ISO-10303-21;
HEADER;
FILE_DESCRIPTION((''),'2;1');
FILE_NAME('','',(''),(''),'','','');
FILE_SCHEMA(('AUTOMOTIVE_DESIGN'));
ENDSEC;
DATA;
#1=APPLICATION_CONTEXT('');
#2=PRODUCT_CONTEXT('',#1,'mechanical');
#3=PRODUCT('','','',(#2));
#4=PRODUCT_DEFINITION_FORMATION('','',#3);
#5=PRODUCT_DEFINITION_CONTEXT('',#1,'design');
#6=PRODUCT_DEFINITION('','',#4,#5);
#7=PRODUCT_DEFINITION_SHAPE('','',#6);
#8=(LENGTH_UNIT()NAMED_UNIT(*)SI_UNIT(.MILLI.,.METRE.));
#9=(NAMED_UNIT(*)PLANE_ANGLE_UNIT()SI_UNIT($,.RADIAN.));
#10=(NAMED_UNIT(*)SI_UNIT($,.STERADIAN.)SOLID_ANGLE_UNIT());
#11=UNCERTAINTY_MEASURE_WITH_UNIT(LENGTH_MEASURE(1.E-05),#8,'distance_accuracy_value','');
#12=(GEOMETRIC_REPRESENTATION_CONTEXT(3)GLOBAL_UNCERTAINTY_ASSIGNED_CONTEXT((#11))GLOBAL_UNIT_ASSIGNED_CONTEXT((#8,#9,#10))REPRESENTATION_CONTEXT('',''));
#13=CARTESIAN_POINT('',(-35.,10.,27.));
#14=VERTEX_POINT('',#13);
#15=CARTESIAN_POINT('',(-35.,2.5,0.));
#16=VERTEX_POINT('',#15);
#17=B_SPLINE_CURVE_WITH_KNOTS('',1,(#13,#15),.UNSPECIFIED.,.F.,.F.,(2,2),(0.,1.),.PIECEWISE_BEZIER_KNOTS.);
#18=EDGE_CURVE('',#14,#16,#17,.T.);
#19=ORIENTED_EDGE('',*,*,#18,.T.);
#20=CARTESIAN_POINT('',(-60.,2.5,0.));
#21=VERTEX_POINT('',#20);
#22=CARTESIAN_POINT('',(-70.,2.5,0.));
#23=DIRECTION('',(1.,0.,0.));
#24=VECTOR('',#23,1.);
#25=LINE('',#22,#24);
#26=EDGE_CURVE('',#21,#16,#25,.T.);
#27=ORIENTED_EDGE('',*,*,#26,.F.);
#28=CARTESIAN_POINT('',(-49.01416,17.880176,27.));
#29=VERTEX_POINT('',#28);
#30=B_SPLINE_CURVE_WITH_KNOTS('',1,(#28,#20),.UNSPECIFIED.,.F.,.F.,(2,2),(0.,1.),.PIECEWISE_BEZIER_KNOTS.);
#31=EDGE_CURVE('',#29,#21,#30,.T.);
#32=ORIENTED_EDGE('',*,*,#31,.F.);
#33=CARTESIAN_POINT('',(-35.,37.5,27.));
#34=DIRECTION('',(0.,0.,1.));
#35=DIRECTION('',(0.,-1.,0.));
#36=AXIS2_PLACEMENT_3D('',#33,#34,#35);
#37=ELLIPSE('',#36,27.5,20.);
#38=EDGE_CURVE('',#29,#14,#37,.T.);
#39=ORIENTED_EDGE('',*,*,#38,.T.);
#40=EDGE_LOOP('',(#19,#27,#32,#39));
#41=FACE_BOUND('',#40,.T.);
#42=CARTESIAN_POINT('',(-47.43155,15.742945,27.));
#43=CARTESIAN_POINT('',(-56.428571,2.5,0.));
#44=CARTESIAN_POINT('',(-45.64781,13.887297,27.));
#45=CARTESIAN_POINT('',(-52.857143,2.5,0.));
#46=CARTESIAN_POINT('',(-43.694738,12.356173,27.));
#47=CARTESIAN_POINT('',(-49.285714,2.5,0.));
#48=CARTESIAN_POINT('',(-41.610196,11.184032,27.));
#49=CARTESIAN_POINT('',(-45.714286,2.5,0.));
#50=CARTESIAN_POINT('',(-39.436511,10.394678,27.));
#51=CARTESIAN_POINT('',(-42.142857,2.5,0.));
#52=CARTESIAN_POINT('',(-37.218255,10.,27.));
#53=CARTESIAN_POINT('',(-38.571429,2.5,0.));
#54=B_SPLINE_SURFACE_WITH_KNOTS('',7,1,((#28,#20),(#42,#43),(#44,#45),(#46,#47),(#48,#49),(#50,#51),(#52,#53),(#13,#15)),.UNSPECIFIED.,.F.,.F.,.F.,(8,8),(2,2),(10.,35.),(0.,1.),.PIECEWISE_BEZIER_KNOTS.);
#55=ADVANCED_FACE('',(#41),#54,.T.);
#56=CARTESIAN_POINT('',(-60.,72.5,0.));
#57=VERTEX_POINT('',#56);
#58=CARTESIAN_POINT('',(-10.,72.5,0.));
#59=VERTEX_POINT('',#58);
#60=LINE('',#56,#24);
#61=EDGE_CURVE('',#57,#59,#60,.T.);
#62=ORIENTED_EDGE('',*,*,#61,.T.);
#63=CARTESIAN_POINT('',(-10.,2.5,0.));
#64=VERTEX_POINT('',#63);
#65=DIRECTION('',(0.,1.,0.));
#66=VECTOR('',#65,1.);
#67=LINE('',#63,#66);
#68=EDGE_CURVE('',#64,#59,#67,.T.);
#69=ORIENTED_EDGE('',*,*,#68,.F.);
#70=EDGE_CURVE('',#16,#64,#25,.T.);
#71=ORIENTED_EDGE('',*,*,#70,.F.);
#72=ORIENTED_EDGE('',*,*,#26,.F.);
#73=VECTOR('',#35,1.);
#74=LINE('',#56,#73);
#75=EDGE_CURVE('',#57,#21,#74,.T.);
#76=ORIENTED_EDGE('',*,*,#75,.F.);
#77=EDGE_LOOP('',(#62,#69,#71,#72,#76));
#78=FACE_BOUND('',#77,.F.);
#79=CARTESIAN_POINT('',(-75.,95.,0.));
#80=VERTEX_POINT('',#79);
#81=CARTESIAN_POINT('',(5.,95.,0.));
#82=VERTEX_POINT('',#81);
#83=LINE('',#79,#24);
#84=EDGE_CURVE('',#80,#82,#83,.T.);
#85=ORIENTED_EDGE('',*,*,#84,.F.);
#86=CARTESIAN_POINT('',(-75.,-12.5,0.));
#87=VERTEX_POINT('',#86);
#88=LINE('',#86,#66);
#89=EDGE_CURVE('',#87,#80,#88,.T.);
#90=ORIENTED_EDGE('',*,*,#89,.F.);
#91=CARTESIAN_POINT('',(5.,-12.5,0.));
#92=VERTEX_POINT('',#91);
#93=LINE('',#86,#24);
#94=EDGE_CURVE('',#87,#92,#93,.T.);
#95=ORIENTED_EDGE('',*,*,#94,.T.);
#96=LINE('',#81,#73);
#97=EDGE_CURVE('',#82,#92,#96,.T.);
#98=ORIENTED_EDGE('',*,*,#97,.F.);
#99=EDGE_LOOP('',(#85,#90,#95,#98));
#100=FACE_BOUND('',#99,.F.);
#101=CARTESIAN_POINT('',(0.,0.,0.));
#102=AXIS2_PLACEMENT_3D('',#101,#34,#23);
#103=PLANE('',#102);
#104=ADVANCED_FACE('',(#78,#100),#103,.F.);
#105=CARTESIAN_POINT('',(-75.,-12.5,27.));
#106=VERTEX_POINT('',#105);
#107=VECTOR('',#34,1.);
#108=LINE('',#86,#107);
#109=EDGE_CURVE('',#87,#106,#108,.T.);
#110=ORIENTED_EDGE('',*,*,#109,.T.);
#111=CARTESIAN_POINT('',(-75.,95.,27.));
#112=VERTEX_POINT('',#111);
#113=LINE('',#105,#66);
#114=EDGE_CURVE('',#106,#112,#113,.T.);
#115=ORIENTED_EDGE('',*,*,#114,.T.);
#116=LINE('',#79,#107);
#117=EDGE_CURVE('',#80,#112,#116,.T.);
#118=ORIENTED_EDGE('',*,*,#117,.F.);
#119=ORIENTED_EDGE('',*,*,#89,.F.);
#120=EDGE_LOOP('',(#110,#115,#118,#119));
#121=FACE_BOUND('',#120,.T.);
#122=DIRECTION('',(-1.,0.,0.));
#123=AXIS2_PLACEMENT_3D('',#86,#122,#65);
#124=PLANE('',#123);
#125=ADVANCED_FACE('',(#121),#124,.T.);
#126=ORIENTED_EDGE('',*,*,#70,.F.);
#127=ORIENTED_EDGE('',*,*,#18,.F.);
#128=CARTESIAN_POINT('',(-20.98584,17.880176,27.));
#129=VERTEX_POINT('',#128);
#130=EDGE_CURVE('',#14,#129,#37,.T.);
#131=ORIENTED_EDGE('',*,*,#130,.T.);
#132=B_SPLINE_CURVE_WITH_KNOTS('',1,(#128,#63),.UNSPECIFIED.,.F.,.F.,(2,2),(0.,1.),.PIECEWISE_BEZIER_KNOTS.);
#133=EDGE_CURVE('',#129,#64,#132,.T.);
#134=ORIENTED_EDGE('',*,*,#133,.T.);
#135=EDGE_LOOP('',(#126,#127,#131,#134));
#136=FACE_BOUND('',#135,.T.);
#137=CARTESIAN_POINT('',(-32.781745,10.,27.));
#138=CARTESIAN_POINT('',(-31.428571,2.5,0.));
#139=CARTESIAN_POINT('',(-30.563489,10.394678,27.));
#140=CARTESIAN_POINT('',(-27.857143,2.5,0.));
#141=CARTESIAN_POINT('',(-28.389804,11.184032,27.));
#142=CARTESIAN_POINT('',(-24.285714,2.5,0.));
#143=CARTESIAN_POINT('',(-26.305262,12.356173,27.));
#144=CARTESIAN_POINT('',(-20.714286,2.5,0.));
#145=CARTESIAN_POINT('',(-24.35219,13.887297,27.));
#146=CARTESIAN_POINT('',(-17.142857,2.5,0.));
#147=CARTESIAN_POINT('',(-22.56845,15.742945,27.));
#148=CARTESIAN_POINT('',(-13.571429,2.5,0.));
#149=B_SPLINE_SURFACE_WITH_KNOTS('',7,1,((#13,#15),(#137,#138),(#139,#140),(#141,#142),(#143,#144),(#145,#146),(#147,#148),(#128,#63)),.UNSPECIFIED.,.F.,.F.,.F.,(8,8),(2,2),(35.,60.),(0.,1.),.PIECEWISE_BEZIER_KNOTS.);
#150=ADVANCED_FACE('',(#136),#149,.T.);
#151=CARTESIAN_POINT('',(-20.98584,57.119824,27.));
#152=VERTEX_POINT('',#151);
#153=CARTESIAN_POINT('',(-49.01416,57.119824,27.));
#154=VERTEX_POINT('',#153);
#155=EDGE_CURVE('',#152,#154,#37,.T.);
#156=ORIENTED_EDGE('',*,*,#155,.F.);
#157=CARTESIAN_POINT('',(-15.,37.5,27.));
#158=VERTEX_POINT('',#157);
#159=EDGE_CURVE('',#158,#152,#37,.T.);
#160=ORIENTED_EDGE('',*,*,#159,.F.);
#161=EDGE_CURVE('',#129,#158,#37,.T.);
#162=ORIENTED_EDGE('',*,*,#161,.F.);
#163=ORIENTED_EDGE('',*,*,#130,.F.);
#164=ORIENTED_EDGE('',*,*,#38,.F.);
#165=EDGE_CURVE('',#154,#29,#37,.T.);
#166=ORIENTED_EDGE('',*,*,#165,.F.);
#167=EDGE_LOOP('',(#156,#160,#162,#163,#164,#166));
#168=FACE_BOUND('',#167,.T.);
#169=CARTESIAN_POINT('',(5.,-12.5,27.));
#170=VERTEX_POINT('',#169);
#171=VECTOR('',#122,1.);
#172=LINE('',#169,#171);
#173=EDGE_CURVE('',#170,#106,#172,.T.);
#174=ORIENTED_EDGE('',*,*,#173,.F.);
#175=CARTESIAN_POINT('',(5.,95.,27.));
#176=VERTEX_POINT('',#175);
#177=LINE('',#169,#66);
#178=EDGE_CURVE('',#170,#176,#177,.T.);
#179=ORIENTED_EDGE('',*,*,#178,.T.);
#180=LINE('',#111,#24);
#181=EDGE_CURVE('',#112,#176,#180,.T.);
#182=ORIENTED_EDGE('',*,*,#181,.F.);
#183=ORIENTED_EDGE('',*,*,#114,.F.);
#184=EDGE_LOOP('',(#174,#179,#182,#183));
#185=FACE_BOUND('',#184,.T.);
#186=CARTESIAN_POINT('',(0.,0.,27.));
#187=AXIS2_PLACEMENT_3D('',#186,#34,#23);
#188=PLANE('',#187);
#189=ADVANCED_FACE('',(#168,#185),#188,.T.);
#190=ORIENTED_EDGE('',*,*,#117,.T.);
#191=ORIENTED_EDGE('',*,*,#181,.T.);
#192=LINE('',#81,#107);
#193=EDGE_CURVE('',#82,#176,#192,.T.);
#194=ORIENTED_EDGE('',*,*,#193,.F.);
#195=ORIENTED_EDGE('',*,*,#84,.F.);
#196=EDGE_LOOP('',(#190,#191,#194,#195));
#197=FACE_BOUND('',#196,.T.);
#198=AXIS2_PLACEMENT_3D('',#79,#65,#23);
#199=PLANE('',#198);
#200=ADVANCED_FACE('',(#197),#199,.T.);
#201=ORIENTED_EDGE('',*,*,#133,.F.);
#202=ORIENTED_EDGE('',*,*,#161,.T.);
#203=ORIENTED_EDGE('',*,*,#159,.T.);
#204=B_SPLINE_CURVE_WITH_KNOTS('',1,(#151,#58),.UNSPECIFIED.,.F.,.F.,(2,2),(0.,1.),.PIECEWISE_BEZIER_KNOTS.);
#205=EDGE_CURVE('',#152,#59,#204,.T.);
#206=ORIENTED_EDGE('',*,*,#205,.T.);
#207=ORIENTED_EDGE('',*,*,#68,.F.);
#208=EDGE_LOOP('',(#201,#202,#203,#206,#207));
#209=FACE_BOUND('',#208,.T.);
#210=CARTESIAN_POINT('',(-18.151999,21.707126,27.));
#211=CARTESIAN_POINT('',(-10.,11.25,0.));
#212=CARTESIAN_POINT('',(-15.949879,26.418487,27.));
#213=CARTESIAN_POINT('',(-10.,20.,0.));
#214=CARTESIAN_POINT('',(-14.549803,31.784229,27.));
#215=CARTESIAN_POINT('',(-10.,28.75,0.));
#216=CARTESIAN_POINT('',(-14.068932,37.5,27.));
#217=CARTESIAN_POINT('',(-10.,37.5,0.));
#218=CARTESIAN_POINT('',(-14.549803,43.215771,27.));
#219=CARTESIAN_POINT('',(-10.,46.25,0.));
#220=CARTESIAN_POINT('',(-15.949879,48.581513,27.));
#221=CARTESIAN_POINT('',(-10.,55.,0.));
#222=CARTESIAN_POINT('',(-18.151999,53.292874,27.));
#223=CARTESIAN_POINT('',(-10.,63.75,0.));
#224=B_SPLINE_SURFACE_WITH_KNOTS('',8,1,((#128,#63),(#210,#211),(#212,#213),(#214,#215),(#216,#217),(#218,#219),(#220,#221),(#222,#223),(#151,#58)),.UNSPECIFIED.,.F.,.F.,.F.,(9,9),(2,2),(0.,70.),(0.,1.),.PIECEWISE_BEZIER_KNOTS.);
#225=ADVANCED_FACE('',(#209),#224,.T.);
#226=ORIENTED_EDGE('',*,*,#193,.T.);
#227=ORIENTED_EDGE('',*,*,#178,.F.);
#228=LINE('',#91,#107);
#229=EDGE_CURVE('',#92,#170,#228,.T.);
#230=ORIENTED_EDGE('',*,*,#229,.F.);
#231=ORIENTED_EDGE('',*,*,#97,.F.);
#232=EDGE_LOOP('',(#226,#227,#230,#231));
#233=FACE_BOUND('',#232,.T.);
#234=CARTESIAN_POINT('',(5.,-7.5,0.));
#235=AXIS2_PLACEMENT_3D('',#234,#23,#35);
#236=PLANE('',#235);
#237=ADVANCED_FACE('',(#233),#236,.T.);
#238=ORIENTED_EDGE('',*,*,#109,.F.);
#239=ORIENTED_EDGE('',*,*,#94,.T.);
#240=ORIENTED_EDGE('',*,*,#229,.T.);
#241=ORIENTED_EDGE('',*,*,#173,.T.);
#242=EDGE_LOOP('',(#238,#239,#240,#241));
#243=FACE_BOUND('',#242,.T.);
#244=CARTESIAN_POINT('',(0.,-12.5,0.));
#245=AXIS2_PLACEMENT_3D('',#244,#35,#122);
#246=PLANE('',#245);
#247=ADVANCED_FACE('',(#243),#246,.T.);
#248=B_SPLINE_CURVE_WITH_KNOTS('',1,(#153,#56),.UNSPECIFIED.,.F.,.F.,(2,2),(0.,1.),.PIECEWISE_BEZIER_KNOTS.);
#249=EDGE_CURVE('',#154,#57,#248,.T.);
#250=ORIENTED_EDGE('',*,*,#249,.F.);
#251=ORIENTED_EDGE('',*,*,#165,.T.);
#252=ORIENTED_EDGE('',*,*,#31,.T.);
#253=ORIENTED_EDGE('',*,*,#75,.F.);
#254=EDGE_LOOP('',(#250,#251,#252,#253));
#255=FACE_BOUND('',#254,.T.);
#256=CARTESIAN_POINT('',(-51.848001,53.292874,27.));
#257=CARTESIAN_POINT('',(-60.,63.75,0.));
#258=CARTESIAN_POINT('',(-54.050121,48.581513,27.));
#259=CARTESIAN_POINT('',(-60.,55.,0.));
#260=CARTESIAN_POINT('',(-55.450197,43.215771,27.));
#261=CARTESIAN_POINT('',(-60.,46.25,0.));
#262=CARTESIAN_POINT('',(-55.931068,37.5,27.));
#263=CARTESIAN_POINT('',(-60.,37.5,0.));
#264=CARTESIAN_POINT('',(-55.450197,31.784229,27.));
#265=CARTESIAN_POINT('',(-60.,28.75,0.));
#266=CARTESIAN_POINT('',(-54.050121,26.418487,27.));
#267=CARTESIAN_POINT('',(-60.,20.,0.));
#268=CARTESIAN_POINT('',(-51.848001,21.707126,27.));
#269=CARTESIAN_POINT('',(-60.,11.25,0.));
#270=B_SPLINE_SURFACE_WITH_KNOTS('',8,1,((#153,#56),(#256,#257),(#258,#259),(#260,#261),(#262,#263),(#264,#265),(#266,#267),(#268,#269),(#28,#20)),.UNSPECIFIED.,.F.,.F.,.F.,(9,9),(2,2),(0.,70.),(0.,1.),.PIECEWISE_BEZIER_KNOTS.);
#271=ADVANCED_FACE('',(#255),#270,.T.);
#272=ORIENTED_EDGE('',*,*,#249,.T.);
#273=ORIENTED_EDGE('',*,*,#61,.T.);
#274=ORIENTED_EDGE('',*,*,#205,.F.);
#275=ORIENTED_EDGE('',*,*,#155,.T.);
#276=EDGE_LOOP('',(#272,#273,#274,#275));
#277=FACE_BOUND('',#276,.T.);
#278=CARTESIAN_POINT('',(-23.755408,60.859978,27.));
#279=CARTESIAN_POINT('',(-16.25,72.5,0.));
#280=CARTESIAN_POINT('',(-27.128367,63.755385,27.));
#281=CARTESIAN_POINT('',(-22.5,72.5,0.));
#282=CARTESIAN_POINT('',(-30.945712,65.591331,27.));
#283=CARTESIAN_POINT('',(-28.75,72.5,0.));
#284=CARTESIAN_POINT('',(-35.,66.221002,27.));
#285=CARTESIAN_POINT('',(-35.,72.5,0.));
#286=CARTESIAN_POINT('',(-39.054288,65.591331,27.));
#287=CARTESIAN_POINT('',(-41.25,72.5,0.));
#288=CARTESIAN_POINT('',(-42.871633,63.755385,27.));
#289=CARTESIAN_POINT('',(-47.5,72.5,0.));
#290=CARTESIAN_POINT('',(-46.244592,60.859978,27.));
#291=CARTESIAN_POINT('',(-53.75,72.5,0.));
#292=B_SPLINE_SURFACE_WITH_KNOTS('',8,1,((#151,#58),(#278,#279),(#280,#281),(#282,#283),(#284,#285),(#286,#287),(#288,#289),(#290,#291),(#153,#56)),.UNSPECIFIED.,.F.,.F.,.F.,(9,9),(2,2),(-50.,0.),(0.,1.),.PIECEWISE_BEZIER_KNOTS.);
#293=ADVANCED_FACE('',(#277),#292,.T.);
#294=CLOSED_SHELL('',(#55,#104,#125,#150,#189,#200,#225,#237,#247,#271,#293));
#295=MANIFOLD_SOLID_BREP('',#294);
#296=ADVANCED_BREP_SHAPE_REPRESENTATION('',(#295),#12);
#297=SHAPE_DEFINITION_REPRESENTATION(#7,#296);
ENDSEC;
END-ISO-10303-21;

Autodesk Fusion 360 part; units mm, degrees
sketch "Sketch1" plane through (0, 0, 0) normal (0, 0, 1) x (1, 0, 0)
  line L0 (0, 0) -> (-70, 0)
  line L1 (-70, 0) -> (-70, 90)
  line L2 (-70, 90) -> (0, 90)
  line L3 (0, 90) -> (0, 0)
  line L4 (-70, 0) -> (0, 0)
  line L5 (0, 0) -> (0, 10)
  line L6 (0, 10) -> (-70, 10)
  line L7 (-70, 10) -> (-70, 0)
  line L8 (-70, 10) -> (-35, 10)
  line L9 (0, 10) -> (0, 32.5)
  line L10 (-35, 10) -> (-15, 10)
  line L11 (-15, 10) -> (-15, 37.5)
  line L12 (-15, 10) -> (-35, 10)
  line L13 (-35, 10) -> (-35, 37.5)
  line L14 (-35, 37.5) -> (-15, 37.5)
  line L15 (-15, 37.5) -> (-15, 10)
  ellipse E0 centre (-35, 37.5) end of major axis (-35, 10) minor radius 20
  line L16 (-35, 65) -> (-35, 10) construction
  line L17 (-55, 37.5) -> (-15, 37.5) construction
  line L18 (0, 10) -> (-10, 10)
  line L19 (-10, 10) -> (-60, 10)
  line L20 (-60, 10) -> (-60, 72.5)
  line L21 (-60, 72.5) -> (-10, 72.5)
  line L22 (-10, 72.5) -> (-10, 10)
  line L23 (0, 10) -> (-70, 10)
  line L24 (-70, 10) -> (-70, 2.5)
  line L25 (-70, 2.5) -> (0, 2.5)
  line L26 (0, 2.5) -> (0, 10)
  line L27 (0, 2.5) -> (-70, 2.5)
  line L28 (-70, 2.5) -> (-70, -7.5)
  line L29 (-70, -7.5) -> (0, -7.5)
  line L30 (0, -7.5) -> (0, 2.5)
  line L31 (-10, 10) -> (-60, 10)
  line L32 (-60, 10) -> (-60, 2.5)
  line L33 (-60, 2.5) -> (-10, 2.5)
  line L34 (-10, 2.5) -> (-10, 10)
  line L35 (0, -7.5) -> (5, -7.5)
  line L36 (5, -7.5) -> (5, -12.5)
  line L37 (5, -12.5) -> (0, -12.5)
  line L38 (0, -12.5) -> (0, -7.5)
  line L39 (5, -12.5) -> (-75, -12.5)
  line L40 (-75, -12.5) -> (-75, 95)
  line L41 (-75, 95) -> (5, 95)
  line L42 (5, 95) -> (5, -12.5)
  dimension "d1" = 70
  dimension "d2" = 90
  dimension "d3" = 10
  dimension "d4" = 35
  dimension "d5" = 22.5
  dimension "d6" = 20
  dimension "d7" = 27.5
  dimension "d8" = 27.5
  dimension "d11" = 10
  dimension "d12" = 50
  dimension "d13" = 62.5
  dimension "d14" = 70
  dimension "d15" = 7.5
  dimension "d16" = 70
  dimension "d17" = 10
  dimension "d20" = 50
  dimension "d21" = 7.5
  dimension "d22" = 5
  dimension "d23" = 5
  dimension "d24" = 80
  dimension "d25" = 107.5
extrude "Extrude1" add sketch "Sketch1" along normal blind 27 contours L0 L1 L3 L4 L5 L7 L25 L27 L28 L30 L33 | L3 L5 L6 L18 L23 L25 L26 L27 L34 | L1 L6 L7 L8 L23 L24 L25 L27 L32 | L1 L2 L3 L6 L8 L9 L18 L20 L21 L22 L23 | L6 L8 L10 L12 L19 L23 L25 L27 L31 L32 L33 L34 | L6 L8 L11 L15 E0 L19 L20 L21 L22 L23 L31 | L6 L10 L11 L12 L15 E0 L19 L23 L31
extrude "Extrude2" add sketch "Sketch1" along normal blind 27 contours L0 L4 L28 L29 L30
sketch "Sketch2" plane through (0, 0, 27) normal (0, 0, 1) x (-1, 0, 0)
  ellipse E0 centre (35, -37.5) end of major axis (35, -10) minor radius 20
  line L0 (70, -90) -> (70, 7.5)
  line L1 (70, 7.5) -> (0, 7.5)
  line L2 (0, 7.5) -> (0, -90)
  line L3 (0, -90) -> (70, -90)
  ellipse E1 centre (35, -37.5) end of major axis (35, -10) minor radius 20
  line L4 (35, -65) -> (35, -10) construction
  line L5 (55, -37.5) -> (15, -37.5) construction
loft "Loft1" cut profiles "Sketch2", "Sketch1" section 1 contours E0 E1 section 2 contours L6 L8 L10 L12 L19 L23 L25 L27 L31 L32 L33 L34 | L6 L8 L11 L15 E0 L19 L20 L21 L22 L23 L31 | L6 L10 L11 L12 L15 E0 L19 L23 L31
extrude "Extrude3" add sketch "Sketch1" along normal blind 27
sketch "Sketch3" plane through (0, 0, 0) normal (0, 0, -1) x (1, 0, 0)
  line L0 (-75, -95) -> (5, -95)
  line L1 (5, -95) -> (5, 12.5)
  line L2 (5, 12.5) -> (-75, 12.5)
  line L3 (-75, 12.5) -> (-75, -95)
  line L4 (-60, -72.5) -> (-60, -2.5)
  line L5 (-60, -2.5) -> (-10, -2.5)
  line L6 (-10, -2.5) -> (-10, -72.5)
  line L7 (-10, -72.5) -> (-60, -72.5)
